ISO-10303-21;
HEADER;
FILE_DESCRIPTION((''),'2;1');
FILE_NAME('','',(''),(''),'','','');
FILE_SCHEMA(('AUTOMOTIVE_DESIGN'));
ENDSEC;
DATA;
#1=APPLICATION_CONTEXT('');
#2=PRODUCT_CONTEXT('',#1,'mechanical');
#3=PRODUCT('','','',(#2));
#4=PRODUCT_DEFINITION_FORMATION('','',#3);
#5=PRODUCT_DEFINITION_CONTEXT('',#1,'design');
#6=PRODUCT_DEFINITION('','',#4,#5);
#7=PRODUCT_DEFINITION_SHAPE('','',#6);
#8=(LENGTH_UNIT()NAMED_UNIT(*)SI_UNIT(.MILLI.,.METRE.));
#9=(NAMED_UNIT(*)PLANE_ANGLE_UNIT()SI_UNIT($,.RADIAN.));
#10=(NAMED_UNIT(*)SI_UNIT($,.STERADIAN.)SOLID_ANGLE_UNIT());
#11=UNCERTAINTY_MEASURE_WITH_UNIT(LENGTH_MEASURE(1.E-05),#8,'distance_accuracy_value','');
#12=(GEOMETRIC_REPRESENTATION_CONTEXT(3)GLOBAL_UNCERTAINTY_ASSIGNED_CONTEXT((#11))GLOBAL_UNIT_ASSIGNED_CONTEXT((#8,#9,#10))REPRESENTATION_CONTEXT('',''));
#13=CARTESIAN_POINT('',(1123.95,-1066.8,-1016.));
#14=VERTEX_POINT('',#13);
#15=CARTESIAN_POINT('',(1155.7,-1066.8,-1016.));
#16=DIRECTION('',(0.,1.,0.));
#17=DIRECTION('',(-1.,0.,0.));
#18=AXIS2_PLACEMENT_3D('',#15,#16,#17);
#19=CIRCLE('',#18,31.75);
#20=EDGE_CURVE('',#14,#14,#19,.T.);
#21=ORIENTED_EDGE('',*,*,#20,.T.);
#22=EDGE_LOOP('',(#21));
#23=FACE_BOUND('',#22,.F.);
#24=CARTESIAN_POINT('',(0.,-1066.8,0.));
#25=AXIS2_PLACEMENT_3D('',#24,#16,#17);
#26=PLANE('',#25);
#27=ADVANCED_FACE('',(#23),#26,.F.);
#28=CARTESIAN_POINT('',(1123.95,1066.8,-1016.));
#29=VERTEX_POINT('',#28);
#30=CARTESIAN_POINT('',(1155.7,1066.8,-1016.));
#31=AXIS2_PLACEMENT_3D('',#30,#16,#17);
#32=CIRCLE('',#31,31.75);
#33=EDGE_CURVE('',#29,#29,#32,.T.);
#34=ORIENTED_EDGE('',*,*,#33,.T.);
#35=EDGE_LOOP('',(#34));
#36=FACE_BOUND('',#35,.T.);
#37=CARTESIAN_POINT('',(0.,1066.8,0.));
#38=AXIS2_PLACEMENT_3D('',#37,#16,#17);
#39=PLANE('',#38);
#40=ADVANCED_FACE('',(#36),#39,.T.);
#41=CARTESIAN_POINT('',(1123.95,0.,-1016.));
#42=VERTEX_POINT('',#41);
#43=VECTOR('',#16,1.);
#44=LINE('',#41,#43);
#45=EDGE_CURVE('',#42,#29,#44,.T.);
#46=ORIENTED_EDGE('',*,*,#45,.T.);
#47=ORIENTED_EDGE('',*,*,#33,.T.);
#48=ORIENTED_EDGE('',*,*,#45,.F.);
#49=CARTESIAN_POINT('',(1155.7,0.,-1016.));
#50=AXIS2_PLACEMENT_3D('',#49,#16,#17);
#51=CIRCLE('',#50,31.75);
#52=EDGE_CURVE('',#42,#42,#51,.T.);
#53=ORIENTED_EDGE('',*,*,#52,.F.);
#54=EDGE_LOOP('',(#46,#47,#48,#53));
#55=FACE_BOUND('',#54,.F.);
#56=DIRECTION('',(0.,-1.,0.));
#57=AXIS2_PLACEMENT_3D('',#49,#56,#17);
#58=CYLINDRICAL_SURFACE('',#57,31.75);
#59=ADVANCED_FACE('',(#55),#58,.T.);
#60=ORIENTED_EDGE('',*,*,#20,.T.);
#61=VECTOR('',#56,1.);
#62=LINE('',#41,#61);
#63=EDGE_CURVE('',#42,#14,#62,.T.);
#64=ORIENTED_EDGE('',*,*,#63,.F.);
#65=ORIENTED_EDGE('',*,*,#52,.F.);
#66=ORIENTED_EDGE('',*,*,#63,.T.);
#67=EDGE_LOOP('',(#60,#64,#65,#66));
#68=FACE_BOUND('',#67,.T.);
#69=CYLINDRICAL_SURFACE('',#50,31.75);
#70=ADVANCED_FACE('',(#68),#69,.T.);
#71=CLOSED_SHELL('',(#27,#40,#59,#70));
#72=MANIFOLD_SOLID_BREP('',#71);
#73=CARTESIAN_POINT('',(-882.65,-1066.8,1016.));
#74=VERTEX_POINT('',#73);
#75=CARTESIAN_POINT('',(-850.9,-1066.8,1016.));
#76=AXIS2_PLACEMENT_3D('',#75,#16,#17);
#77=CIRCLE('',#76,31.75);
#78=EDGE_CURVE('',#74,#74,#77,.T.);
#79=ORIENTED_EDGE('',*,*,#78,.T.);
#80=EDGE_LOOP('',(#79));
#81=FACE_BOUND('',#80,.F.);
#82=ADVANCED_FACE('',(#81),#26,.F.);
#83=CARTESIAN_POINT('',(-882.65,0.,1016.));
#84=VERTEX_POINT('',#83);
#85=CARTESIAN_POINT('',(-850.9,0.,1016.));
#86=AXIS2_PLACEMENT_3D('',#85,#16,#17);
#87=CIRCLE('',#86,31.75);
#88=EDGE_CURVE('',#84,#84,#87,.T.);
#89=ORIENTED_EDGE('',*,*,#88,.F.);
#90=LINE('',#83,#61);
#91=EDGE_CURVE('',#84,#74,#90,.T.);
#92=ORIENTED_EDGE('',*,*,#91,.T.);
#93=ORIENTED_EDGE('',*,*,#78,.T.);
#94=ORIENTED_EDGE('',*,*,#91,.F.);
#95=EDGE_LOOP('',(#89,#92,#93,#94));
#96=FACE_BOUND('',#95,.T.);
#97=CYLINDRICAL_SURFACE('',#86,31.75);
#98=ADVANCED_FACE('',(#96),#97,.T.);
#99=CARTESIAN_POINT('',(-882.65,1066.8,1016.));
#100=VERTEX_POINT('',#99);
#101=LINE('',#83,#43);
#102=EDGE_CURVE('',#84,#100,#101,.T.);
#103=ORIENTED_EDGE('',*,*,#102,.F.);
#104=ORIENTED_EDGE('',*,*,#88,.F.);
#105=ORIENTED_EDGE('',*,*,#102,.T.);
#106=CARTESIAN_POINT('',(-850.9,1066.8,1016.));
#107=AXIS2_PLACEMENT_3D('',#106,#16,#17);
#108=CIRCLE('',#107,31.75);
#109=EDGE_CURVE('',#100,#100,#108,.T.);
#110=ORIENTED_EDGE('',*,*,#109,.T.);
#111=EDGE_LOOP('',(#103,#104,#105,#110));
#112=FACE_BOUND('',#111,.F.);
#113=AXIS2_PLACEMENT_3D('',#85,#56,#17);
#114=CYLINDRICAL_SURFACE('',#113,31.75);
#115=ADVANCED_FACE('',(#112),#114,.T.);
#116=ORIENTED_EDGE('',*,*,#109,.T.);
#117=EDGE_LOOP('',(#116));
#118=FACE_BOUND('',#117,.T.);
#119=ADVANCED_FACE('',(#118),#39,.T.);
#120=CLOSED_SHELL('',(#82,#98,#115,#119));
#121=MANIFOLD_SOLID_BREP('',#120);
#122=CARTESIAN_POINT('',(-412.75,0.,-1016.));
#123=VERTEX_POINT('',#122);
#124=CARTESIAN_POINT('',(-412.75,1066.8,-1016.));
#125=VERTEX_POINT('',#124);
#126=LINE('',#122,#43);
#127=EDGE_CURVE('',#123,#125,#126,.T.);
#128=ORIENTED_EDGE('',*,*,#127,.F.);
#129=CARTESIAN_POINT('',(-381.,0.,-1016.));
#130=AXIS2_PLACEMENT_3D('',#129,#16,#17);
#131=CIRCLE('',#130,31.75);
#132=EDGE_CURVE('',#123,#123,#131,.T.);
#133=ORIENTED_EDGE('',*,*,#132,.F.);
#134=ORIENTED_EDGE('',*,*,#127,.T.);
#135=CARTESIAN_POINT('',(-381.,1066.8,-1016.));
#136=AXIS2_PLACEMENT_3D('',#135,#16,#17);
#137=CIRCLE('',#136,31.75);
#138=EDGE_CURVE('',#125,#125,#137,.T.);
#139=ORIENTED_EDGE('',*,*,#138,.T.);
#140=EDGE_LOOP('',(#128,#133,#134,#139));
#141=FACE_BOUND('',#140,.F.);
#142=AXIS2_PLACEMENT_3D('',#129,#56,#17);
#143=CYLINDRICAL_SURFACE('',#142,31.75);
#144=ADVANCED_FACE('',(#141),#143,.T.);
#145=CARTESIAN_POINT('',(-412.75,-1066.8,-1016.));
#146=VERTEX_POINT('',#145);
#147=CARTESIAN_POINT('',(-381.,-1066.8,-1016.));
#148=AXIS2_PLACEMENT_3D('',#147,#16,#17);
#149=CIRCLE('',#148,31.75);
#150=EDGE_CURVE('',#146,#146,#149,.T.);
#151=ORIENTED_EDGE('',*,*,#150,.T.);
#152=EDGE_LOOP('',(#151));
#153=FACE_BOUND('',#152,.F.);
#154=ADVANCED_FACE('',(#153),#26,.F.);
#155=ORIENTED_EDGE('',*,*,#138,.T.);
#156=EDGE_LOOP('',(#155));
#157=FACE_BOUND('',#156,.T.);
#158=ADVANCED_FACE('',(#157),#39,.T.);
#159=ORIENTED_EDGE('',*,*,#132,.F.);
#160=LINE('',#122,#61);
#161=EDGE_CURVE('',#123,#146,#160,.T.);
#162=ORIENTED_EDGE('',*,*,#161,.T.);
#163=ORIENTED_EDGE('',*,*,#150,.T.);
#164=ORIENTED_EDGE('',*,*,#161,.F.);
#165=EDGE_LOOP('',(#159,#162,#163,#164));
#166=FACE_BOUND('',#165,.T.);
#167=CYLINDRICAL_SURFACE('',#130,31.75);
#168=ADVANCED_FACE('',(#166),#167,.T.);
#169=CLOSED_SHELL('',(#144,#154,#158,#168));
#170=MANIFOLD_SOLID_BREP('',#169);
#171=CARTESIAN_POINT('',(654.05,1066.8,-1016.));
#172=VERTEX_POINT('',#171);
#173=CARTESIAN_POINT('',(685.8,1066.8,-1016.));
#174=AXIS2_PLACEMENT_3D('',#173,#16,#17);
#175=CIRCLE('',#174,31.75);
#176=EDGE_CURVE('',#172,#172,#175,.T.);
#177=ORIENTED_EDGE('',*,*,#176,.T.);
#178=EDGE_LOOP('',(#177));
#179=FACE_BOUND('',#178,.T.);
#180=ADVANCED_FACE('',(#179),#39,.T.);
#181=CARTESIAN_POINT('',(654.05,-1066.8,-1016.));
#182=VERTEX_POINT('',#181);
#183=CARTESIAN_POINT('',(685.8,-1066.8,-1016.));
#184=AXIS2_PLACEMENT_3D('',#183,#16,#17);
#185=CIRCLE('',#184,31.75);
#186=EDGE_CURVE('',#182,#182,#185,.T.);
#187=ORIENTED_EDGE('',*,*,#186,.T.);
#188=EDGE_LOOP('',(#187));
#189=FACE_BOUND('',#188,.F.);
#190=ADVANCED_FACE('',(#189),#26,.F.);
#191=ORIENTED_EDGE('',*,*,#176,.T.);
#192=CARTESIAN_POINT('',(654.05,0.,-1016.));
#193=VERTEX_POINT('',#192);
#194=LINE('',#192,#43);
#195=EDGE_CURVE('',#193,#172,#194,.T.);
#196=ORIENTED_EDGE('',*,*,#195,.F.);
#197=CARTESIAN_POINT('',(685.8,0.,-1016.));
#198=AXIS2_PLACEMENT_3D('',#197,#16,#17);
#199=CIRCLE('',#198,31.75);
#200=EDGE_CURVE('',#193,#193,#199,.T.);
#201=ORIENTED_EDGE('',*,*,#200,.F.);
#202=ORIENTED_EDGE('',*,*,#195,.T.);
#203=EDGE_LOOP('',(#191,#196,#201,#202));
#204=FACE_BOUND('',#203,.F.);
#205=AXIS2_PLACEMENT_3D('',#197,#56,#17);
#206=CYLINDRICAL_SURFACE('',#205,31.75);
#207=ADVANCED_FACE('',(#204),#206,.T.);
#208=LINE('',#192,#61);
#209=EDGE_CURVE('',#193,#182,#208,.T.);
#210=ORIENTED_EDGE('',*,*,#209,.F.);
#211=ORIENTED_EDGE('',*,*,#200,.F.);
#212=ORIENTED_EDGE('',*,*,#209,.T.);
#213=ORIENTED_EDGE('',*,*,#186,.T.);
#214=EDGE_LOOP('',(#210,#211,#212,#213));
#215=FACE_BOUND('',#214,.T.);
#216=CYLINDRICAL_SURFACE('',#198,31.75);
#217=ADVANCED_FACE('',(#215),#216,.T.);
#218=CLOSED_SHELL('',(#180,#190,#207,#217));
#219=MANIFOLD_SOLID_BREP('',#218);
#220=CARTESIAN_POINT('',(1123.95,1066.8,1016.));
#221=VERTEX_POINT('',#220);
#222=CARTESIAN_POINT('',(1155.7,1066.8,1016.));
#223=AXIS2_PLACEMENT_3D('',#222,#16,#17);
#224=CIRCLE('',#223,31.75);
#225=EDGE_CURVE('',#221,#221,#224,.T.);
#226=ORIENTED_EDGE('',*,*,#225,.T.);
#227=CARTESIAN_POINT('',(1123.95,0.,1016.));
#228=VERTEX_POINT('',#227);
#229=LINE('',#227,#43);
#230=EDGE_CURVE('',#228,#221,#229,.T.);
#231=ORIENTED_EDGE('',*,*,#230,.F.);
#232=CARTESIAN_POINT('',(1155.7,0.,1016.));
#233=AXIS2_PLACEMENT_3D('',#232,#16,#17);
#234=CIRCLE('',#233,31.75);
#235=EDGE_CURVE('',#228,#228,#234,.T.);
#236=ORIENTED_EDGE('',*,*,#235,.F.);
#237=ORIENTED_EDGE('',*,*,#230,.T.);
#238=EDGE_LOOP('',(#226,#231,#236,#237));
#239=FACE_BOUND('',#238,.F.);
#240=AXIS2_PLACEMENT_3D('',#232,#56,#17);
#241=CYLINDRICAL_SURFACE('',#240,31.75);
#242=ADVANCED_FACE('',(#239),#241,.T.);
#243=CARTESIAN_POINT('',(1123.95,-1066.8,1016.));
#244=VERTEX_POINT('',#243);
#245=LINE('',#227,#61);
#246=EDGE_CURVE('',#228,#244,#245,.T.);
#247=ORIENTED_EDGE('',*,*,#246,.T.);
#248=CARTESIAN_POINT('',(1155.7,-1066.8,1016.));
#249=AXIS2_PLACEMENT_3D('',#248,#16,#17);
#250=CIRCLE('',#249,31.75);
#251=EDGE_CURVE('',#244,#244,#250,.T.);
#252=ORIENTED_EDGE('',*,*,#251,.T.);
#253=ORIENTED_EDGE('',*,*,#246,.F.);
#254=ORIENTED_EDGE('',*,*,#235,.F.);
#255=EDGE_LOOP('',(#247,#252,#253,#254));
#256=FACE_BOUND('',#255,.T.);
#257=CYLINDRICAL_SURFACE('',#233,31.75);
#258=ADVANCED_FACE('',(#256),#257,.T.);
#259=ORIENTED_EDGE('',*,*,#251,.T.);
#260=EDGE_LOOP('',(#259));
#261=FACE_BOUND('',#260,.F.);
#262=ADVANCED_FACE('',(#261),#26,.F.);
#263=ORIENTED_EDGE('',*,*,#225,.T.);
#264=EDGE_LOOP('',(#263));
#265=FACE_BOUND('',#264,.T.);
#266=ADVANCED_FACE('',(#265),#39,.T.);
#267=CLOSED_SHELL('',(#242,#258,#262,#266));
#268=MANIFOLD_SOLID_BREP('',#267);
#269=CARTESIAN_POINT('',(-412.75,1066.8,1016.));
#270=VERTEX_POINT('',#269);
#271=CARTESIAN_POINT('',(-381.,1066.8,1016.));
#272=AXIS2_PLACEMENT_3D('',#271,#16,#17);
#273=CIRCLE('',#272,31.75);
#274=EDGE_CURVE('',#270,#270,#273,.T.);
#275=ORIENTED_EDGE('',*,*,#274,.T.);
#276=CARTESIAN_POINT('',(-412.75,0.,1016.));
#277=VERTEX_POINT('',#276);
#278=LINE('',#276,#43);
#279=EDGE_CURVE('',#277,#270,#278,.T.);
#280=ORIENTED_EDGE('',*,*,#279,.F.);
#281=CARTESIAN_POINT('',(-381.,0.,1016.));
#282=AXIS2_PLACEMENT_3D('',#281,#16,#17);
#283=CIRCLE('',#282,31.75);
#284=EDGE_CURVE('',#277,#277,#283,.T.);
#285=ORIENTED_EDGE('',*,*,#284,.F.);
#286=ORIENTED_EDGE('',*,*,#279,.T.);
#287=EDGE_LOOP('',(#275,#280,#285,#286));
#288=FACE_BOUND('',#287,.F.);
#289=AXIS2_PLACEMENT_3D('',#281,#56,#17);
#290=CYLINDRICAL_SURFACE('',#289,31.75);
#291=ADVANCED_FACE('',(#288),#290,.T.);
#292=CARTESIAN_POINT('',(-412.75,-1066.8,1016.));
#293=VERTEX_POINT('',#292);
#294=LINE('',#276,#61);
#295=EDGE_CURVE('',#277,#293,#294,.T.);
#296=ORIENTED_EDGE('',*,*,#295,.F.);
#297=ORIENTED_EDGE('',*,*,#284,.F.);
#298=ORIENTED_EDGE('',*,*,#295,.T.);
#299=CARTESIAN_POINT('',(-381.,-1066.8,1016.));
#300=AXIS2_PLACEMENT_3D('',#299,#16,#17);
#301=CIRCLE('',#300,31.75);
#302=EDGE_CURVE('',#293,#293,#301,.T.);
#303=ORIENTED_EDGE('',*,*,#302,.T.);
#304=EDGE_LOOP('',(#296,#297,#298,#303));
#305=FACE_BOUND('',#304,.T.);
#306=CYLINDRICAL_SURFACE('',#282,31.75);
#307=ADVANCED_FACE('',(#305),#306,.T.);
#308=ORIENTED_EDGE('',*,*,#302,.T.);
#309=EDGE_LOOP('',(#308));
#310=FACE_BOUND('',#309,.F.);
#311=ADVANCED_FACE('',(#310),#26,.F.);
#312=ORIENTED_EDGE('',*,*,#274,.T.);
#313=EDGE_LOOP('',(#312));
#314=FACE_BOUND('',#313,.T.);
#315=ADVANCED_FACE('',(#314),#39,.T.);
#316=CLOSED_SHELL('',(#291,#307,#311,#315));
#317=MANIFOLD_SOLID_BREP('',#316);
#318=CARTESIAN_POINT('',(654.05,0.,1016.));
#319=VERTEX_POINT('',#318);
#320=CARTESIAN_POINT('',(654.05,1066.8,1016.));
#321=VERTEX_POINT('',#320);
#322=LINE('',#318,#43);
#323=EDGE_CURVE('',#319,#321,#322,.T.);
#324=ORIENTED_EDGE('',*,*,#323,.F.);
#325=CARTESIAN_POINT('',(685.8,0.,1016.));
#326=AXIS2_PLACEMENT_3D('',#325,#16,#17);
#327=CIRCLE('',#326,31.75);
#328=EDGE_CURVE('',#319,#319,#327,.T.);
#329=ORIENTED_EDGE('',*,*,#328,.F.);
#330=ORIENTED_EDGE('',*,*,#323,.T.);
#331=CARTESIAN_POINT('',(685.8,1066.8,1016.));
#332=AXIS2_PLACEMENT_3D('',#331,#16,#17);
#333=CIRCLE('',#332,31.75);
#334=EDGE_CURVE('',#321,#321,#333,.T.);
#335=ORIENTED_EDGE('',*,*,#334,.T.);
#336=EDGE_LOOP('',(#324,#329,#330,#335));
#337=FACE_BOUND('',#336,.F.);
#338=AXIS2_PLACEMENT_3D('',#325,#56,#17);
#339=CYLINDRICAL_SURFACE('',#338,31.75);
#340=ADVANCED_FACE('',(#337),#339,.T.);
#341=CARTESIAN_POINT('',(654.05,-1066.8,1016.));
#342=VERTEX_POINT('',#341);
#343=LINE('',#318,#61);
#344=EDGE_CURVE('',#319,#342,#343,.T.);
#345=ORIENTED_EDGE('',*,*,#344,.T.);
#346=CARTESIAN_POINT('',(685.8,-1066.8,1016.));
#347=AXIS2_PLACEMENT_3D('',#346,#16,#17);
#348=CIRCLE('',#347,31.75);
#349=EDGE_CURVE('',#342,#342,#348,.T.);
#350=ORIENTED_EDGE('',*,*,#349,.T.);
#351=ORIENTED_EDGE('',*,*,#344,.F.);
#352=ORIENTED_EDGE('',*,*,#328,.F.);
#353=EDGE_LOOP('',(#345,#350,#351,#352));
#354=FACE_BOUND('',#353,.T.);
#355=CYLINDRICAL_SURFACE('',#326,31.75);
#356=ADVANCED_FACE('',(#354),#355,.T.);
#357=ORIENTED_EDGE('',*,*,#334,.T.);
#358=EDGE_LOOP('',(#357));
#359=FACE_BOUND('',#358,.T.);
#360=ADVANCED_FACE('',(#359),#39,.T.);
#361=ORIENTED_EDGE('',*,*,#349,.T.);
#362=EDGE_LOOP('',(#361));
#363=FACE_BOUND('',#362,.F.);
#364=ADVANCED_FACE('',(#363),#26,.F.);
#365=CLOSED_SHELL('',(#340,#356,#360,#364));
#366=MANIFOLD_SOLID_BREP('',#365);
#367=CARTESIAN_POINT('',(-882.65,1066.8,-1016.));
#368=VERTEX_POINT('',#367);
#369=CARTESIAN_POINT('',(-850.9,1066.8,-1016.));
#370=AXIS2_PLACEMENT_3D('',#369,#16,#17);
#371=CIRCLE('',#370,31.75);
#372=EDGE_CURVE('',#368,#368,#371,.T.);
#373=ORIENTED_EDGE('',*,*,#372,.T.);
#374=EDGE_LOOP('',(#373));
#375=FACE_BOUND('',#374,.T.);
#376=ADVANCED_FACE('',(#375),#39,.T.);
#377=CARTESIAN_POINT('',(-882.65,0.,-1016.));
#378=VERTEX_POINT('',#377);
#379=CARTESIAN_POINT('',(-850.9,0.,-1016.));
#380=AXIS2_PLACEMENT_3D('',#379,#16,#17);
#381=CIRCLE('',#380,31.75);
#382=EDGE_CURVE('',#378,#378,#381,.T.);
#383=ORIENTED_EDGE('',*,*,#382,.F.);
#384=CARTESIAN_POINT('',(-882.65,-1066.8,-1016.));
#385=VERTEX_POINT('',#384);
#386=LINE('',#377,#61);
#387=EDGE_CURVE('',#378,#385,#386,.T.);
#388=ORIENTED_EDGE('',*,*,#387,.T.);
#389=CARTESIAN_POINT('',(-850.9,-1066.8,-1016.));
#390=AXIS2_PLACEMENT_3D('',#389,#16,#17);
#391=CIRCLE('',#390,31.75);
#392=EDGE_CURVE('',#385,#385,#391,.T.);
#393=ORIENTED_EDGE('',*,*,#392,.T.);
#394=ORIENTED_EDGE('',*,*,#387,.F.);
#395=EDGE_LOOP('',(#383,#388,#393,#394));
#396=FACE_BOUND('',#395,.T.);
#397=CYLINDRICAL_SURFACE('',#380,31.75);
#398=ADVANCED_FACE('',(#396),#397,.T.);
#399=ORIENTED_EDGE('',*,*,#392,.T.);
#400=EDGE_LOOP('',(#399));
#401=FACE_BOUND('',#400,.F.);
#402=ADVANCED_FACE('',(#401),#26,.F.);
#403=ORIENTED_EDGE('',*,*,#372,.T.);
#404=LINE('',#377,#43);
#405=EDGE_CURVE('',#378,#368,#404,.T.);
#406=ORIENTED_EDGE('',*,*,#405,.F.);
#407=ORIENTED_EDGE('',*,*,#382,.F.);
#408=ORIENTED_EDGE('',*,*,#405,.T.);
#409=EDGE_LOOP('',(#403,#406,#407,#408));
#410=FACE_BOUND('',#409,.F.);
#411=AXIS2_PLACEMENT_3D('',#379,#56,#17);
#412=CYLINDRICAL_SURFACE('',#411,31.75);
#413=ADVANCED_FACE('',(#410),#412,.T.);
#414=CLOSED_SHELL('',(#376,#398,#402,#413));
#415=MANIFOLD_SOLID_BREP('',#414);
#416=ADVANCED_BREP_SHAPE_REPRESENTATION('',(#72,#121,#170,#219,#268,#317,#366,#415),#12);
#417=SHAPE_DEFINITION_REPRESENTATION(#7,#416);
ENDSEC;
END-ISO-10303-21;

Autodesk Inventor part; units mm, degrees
ref_plane "YZ Plane" through (0, 0, 0) normal (1, 0, 0) x (0, 1, 0)
ref_plane "XZ Plane" through (0, 0, 0) normal (0, 1, 0) x (-1, 0, 0)
ref_plane "XY Plane" through (0, 0, 0) normal (0, 0, 1) x (1, 0, 0)
sketch "Sketch1" plane through (0, 0, 0) normal (0, 1, 0) x (-1, 0, 0)
  circle A0 centre (850.9, -1016) radius 31.75
  line L0 (-914.4, 1066.8) -> (914.4, 1066.8) construction
  line L1 (914.4, 1066.8) -> (914.4, -1066.8) construction
  line L2 (914.4, -1066.8) -> (-914.4, -1066.8) construction
  line L3 (-914.4, -1066.8) -> (-914.4, 1066.8) construction
  line L4 (-914.4, 1066.8) -> (914.4, -1066.8) construction
  line L5 (914.4, 1066.8) -> (-914.4, -1066.8) construction
  circle A1 centre (381, -1016) radius 31.75
  circle A2 centre (850.9, 1016) radius 31.75
  circle A3 centre (-1155.7, -1016) radius 31.75
  circle A4 centre (-1155.7, 1016) radius 31.75
  circle A5 centre (381, 1016) radius 31.75
  circle A6 centre (-685.8, -1016) radius 31.75
  circle A7 centre (-685.8, 1016) radius 31.75
  point P0 (0, 0)
  dimension "d0" = 63.5
  dimension "d1" = 1828.8
  dimension "d2" = 2133.6
  dimension "d3" = 50.8
  dimension "d4" = 63.5
  dimension "d5" = 63.5
  dimension "d6" = 533.4
  dimension "d7" = 50.8
  dimension "d10" = 2032
  dimension "d13" = 2006.6
  dimension "d18" = 2032
  dimension "d21" = 1066.8
extrude "Extrusion1" add sketch "Sketch1" along normal mid plane 2133.6
properties part number "Gondola Poles" material "Steel, Alloy"
